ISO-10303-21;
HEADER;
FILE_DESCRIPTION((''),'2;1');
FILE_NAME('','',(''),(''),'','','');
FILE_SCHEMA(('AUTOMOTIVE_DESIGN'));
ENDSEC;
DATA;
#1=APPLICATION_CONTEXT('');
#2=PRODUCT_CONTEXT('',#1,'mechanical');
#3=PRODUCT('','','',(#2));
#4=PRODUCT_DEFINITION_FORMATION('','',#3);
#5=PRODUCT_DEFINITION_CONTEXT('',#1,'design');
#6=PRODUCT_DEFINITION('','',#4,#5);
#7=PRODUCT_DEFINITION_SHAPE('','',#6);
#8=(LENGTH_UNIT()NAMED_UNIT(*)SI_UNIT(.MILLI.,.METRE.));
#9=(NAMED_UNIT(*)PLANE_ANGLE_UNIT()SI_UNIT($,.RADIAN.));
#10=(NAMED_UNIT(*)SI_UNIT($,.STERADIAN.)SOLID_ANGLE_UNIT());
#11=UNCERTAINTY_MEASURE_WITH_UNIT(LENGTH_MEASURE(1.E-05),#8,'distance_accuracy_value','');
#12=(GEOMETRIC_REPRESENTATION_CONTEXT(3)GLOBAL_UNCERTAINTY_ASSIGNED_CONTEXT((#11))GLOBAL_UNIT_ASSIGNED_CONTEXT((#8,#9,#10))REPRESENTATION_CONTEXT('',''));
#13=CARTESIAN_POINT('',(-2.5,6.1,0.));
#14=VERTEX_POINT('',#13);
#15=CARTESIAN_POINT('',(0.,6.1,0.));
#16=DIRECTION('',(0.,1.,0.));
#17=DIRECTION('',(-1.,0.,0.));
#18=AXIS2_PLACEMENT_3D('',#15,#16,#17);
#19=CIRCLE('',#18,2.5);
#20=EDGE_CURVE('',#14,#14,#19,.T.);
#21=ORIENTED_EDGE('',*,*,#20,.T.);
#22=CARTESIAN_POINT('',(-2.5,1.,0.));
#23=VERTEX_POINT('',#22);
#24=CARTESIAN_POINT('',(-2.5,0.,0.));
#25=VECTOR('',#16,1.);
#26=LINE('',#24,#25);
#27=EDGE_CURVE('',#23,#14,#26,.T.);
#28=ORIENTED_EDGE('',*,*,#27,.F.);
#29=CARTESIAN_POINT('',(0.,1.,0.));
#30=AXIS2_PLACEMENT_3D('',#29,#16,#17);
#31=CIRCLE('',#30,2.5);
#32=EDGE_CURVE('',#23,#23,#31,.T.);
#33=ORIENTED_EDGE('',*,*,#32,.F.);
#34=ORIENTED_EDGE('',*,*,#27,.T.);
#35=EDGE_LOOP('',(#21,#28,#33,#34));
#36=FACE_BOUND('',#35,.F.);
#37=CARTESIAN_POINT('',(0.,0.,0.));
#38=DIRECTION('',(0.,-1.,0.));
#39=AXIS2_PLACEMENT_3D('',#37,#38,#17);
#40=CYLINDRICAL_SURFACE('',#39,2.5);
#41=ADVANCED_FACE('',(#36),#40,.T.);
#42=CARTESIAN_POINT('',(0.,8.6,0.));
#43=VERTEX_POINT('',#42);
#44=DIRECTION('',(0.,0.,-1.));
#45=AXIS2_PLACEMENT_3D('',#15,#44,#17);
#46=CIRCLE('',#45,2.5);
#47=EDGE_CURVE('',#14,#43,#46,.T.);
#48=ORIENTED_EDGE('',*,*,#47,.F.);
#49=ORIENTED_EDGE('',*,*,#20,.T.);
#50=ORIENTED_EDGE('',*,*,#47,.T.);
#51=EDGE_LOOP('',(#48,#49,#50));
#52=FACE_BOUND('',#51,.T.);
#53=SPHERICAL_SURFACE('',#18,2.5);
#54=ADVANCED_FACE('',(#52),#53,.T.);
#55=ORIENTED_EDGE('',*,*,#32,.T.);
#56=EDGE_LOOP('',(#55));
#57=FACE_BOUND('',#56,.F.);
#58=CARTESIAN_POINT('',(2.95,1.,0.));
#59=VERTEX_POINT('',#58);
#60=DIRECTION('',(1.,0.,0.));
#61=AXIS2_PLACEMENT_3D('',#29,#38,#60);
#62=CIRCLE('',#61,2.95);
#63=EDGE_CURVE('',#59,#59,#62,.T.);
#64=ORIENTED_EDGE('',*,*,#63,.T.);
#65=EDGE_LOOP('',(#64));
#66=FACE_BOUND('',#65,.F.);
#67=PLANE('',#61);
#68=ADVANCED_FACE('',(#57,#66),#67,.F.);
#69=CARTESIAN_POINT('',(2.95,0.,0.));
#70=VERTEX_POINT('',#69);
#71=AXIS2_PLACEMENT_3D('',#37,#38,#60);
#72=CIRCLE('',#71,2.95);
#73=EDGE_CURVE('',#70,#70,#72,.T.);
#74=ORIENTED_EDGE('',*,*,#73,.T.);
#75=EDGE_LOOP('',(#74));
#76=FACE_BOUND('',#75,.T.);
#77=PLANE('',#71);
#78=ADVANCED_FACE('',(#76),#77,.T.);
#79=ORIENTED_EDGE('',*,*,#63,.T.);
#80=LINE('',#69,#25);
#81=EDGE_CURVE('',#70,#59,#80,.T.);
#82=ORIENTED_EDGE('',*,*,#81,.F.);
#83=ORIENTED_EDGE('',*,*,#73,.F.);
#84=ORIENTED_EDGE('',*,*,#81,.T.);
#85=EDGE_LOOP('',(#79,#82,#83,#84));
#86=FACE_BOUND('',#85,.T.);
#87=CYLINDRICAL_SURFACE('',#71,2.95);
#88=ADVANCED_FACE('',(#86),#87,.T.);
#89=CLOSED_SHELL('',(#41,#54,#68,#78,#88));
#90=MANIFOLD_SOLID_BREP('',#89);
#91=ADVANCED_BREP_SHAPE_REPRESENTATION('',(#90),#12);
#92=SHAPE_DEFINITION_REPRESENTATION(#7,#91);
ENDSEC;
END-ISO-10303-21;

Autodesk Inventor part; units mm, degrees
ref_plane "YZ Plane" through (0, 0, 0) normal (1, 0, 0) x (0, 1, 0)
ref_plane "XZ Plane" through (0, 0, 0) normal (0, 1, 0) x (-1, 0, 0)
ref_plane "XY Plane" through (0, 0, 0) normal (0, 0, 1) x (1, 0, 0)
sketch "Sketch1" plane through (0, 0, 0) normal (0, 1, 0) x (-1, 0, 0)
  circle A0 centre (0, 0) radius 2.5
  dimension "d1" = 5
extrude "Extrusion1" add sketch "Sketch1" along normal blind 8.6
sketch "Sketch2" plane through (0, 0, 0) normal (0, -1, 0) x (1, 0, 0)
  circle A0 centre (0, 0) radius 2.5 projected
  circle A1 centre (0, 0) radius 2.95
  dimension "d4" = 5.9
extrude "Extrusion2" add sketch "Sketch2" against normal blind 1
fillet "Fillet1" radius 2.5 1 edges at (2.5, 8.6, 0)
properties part number "Kingbright_WP7113F3BT_Emitter" material "Nylon 6/6"
